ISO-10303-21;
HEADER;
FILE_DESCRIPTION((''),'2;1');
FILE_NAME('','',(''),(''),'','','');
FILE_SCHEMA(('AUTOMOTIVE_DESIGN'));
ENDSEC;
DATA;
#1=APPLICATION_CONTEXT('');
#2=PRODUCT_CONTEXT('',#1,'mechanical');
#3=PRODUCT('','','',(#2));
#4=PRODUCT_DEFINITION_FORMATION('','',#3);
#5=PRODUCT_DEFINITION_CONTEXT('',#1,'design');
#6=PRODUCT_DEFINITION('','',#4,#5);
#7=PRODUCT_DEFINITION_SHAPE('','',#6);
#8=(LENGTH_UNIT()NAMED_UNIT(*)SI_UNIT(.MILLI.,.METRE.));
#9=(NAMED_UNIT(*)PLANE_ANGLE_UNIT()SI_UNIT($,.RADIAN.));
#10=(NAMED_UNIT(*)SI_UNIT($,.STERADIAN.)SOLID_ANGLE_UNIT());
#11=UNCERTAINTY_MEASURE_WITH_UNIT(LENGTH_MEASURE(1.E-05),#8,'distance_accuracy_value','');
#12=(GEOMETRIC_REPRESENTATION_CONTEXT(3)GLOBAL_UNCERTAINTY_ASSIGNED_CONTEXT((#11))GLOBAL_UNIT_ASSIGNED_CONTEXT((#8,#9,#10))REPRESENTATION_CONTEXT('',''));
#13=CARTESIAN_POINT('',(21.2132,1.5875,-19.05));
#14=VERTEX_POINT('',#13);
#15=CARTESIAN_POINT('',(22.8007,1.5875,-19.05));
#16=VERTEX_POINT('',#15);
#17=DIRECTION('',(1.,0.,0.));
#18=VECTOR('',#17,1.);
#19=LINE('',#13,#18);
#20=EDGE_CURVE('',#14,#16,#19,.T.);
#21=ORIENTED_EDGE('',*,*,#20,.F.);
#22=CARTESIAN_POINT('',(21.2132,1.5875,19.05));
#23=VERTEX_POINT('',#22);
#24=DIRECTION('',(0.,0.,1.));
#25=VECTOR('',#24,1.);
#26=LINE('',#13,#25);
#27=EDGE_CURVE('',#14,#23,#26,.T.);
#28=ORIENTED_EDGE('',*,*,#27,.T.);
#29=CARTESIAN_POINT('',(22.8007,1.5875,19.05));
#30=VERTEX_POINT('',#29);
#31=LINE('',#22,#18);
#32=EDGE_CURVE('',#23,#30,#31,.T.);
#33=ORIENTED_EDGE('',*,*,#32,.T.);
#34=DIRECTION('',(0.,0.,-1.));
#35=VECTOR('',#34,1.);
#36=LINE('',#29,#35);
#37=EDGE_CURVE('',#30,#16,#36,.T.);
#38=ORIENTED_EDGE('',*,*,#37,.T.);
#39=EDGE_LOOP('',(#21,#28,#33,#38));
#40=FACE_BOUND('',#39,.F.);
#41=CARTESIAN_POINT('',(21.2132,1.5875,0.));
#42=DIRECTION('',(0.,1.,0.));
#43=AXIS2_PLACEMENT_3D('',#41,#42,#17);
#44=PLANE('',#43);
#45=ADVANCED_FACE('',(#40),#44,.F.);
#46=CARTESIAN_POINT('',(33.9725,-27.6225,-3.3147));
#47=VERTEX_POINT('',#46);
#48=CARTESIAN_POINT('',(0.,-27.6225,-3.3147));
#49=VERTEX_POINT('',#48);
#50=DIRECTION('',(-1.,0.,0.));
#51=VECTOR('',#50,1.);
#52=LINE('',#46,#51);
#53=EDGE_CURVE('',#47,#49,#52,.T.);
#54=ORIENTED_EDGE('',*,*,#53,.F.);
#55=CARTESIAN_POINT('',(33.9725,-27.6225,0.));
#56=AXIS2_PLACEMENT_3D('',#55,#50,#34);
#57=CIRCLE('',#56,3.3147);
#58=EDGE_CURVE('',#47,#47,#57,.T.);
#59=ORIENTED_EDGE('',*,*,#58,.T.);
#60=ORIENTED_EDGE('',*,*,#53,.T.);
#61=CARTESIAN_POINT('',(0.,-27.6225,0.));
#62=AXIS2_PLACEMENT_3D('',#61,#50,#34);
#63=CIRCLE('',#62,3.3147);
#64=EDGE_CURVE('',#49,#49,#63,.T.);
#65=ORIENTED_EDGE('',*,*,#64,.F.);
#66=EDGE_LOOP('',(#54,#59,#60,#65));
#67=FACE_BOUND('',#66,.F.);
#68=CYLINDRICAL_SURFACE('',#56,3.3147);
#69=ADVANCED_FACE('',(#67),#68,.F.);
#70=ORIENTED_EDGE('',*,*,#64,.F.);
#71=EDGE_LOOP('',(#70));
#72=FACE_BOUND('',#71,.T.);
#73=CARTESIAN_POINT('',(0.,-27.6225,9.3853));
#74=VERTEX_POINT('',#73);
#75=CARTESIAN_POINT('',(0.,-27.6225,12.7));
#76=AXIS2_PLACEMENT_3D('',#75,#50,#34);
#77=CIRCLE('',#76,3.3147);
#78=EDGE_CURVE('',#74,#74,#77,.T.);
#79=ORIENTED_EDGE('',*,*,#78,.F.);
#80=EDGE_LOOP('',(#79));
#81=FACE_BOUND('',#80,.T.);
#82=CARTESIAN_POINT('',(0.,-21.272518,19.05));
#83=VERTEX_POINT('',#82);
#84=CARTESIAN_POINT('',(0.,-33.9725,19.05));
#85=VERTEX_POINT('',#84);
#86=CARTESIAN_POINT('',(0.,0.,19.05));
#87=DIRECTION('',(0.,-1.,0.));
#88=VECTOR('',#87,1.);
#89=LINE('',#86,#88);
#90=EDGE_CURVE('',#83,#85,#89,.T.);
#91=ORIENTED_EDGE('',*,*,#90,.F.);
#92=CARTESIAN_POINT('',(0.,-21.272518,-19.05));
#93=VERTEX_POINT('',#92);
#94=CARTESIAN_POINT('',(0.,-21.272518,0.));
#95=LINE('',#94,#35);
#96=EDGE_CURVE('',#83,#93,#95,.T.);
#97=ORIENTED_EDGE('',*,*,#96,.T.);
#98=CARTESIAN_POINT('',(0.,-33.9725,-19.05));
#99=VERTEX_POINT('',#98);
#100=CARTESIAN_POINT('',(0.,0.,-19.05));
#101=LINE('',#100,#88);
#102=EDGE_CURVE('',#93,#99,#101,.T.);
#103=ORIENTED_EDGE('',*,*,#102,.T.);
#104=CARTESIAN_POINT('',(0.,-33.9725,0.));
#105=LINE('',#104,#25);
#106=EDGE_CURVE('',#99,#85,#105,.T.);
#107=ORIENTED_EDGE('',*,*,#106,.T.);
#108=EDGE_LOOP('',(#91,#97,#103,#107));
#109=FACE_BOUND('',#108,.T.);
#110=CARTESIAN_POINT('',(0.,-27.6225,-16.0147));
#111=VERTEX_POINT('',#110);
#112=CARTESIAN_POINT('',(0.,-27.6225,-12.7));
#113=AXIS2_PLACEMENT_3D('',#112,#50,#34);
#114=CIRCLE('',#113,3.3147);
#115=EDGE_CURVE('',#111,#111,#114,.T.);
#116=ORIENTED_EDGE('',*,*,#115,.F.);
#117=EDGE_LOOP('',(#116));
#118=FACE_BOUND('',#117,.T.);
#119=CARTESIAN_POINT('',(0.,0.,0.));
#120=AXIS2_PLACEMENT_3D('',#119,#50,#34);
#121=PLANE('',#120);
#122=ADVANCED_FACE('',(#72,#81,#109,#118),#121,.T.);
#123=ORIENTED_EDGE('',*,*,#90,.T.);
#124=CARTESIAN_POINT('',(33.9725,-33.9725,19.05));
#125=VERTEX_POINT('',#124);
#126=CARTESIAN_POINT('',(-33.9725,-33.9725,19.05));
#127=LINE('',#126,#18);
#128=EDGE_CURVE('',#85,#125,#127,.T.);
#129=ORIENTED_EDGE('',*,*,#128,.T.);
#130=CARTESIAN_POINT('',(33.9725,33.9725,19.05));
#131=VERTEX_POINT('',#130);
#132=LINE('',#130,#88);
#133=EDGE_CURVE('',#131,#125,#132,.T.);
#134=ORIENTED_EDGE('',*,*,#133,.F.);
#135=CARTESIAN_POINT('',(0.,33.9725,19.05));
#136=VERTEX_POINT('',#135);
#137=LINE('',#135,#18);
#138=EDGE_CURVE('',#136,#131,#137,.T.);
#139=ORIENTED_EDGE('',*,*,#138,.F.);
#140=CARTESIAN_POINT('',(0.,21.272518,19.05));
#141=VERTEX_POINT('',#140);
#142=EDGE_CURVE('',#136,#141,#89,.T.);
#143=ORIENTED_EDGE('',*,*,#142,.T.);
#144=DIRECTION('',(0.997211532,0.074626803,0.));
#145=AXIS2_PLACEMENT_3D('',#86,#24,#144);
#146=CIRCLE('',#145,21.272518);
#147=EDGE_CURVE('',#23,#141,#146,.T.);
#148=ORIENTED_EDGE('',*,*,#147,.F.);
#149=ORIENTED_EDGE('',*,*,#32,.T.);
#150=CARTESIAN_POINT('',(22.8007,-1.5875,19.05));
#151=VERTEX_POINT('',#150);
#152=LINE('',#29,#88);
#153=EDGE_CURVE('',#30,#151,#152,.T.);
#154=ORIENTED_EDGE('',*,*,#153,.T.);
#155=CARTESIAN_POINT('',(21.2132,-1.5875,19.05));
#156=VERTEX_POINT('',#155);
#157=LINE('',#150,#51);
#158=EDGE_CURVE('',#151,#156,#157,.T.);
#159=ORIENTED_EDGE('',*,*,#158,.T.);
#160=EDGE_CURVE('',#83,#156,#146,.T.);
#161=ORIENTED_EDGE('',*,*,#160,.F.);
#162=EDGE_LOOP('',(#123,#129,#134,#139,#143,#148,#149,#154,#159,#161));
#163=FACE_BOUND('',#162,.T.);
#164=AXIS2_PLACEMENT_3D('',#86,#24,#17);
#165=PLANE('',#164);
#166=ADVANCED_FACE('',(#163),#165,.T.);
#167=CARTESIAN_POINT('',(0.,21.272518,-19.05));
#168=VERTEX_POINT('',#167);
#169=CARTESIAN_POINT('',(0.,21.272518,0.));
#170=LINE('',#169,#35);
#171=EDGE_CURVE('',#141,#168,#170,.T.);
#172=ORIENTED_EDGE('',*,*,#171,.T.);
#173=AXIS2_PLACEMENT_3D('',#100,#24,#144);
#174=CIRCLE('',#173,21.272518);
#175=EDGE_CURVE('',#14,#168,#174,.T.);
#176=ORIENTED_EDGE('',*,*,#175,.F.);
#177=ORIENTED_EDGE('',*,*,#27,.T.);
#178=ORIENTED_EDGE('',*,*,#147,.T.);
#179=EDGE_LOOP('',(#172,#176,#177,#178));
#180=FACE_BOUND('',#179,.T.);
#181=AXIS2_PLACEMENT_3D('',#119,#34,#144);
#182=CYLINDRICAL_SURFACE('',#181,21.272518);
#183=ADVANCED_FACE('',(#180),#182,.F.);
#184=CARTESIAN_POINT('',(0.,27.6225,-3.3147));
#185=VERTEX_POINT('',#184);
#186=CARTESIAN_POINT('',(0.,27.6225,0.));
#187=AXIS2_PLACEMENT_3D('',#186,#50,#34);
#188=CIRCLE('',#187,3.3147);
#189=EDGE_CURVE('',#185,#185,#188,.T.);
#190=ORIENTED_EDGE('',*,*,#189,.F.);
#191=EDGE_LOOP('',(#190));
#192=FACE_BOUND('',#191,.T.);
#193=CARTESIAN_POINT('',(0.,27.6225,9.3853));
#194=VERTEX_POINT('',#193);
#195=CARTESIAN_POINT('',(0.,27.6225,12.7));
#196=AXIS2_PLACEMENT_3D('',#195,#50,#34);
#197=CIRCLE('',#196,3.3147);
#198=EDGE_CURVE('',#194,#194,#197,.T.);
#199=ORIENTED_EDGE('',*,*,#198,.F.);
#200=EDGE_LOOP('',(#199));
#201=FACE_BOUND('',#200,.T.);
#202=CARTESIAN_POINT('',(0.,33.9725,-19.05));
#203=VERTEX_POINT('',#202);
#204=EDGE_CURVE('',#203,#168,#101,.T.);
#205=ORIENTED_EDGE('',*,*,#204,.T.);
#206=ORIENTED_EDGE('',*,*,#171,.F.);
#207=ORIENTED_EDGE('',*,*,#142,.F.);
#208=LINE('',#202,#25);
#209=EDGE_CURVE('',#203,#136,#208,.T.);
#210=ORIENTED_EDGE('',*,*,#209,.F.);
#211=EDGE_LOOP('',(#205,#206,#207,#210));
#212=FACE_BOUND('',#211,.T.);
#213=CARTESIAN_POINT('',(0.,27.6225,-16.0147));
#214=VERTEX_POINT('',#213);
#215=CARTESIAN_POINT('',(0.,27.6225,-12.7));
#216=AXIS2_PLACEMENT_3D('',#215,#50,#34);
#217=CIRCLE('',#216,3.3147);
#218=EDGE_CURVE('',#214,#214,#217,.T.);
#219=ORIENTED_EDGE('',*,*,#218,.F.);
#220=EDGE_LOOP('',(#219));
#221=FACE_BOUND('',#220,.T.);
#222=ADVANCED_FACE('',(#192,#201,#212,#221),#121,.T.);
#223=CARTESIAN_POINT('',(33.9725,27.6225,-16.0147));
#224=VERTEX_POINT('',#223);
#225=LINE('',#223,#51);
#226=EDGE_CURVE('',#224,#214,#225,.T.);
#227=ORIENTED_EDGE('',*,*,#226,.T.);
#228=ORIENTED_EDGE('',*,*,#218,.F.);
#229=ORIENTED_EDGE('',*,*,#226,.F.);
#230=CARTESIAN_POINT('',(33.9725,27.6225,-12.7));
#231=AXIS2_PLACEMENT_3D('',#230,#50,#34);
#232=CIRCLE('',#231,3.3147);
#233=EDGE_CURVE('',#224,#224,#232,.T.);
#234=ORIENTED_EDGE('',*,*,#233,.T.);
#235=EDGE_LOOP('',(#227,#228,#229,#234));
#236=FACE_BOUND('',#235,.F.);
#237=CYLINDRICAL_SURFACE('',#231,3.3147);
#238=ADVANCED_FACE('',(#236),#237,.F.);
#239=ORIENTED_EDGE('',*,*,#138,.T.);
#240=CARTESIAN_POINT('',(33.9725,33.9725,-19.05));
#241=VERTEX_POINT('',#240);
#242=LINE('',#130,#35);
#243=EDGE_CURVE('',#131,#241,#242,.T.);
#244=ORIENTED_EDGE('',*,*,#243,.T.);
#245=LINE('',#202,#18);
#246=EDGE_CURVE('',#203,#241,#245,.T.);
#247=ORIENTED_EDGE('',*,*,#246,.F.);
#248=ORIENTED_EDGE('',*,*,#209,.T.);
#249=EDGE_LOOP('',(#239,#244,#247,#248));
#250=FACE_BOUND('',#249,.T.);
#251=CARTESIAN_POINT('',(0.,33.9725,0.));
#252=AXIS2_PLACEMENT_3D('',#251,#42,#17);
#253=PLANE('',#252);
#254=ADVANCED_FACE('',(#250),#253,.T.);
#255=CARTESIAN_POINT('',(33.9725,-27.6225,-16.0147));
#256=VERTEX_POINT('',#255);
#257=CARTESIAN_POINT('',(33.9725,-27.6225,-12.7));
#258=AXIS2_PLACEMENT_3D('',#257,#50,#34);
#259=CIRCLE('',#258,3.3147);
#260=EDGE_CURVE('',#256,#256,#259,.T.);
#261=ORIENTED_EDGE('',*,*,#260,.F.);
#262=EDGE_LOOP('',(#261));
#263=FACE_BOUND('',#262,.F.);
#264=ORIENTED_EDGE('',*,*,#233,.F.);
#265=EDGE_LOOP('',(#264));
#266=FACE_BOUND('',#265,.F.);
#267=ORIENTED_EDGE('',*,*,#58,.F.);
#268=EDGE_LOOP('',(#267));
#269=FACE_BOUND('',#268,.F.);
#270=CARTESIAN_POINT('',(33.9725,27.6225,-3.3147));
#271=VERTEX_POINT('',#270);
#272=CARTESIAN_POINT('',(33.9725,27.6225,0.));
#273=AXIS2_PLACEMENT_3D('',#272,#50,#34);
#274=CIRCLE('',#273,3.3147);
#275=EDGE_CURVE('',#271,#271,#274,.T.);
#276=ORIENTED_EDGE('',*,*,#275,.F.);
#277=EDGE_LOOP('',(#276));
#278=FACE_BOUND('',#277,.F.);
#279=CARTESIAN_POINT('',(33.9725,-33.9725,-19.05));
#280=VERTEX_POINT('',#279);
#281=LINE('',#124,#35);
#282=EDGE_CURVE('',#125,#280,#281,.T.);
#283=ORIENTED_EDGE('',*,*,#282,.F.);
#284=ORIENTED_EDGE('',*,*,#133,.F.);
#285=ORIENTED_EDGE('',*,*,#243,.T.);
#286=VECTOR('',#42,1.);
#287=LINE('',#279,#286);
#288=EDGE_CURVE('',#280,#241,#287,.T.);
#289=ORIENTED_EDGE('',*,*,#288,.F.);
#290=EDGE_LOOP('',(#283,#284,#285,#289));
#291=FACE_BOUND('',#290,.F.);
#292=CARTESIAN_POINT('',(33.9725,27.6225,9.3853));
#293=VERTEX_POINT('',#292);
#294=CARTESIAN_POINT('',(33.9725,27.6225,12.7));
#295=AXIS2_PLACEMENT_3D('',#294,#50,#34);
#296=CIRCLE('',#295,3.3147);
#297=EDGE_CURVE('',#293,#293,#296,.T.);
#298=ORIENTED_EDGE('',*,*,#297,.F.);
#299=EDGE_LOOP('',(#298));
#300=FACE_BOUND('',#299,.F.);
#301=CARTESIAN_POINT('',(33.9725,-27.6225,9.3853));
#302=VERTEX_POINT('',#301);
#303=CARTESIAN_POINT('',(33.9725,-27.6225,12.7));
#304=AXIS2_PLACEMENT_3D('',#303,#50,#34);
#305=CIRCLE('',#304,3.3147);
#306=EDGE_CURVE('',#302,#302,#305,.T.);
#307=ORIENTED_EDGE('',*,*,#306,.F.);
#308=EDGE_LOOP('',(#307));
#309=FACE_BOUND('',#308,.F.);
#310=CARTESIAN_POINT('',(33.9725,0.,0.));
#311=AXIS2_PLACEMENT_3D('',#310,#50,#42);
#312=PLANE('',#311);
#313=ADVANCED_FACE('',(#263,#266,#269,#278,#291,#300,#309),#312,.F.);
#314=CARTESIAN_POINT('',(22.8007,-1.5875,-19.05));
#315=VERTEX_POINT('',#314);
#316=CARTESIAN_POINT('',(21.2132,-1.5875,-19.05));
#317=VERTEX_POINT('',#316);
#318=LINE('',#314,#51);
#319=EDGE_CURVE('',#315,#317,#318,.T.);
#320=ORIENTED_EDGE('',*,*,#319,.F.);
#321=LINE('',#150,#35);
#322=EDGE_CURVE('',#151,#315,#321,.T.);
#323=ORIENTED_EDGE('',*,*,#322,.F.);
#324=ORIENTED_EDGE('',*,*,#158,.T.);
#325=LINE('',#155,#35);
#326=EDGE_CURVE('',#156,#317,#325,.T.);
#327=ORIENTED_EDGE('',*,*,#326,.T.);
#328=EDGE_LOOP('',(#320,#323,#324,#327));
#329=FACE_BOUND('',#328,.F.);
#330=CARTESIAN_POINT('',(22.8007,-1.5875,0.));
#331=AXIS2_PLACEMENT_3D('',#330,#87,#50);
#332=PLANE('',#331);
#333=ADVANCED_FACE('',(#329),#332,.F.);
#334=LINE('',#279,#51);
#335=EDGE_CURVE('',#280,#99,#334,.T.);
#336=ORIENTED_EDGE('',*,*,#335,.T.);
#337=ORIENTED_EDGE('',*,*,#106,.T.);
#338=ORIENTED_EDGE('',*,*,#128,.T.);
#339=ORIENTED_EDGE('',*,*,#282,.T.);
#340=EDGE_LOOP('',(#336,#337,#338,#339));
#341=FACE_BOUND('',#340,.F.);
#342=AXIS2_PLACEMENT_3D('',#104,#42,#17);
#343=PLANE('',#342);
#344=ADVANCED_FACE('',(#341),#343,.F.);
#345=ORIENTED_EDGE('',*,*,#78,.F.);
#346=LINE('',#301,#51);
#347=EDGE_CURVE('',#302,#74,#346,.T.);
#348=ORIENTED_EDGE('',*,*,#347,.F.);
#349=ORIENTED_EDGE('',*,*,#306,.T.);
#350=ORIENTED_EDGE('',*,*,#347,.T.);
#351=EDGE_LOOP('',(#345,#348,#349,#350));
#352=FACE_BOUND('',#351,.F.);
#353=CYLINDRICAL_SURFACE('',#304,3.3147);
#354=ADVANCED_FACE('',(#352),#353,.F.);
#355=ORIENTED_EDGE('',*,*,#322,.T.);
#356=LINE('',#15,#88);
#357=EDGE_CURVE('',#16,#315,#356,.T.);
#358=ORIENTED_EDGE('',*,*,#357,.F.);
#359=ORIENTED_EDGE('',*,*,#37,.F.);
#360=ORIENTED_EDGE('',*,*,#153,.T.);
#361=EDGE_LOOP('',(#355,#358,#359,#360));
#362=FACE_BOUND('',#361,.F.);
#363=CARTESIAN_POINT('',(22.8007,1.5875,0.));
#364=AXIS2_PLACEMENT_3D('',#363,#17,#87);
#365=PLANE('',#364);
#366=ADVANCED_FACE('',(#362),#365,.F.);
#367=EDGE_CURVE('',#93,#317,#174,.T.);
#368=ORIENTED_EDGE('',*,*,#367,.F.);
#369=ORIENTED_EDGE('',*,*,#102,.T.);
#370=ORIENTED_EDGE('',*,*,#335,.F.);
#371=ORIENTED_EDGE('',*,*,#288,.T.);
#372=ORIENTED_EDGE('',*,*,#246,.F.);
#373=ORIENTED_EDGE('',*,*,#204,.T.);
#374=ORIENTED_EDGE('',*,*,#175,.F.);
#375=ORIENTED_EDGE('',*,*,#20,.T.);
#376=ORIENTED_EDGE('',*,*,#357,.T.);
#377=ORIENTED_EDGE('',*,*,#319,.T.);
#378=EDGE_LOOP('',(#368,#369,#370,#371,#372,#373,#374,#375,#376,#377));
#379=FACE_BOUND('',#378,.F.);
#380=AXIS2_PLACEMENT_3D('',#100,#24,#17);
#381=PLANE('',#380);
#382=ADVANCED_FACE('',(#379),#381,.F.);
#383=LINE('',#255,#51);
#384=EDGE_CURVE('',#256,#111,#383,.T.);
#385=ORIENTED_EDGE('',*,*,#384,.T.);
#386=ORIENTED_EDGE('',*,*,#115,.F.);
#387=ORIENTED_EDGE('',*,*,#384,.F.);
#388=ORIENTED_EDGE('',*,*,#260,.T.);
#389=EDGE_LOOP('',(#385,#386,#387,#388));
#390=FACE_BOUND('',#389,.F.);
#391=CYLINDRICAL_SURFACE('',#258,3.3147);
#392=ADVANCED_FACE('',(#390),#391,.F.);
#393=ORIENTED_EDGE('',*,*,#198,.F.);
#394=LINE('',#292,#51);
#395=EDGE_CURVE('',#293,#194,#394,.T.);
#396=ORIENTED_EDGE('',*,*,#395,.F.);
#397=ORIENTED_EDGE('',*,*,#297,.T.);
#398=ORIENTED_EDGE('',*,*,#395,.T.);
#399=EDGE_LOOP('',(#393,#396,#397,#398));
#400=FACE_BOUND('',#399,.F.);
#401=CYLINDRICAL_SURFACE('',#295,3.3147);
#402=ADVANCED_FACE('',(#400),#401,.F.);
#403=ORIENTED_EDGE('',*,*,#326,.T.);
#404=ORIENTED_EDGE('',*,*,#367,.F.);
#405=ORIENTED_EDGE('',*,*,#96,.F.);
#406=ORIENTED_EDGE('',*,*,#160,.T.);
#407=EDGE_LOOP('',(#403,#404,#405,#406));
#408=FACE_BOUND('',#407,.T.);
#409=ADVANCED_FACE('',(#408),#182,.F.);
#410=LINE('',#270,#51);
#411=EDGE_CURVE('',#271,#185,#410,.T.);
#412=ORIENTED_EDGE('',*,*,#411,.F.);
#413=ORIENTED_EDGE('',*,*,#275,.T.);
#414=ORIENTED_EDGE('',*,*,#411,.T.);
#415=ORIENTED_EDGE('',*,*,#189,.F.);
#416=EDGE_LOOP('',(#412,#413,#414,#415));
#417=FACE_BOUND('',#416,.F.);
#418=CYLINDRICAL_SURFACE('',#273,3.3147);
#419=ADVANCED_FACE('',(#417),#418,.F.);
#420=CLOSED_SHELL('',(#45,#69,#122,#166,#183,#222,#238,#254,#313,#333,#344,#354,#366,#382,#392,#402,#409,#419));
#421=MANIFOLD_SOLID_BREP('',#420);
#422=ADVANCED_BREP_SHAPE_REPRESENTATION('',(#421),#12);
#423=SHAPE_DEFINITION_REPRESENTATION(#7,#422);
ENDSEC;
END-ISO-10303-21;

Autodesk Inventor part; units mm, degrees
ref_plane "YZ Plane" through (0, 0, 0) normal (1, 0, 0) x (0, 1, 0)
ref_plane "XZ Plane" through (0, 0, 0) normal (0, 1, 0) x (-1, 0, 0)
ref_plane "XY Plane" through (0, 0, 0) normal (0, 0, 1) x (1, 0, 0)
sketch "Sketch1" plane through (0, 0, 0) normal (0, 0, 1) x (1, 0, 0)
  arc A0 (21.2132, 1.5875) -> (21.2132, -1.5875) centre (0, 0) ccw
  arc A1 (0, 33.9725) -> (-33.9725, 0) centre (0, 0) ccw
  line L0 (0, -33.9725) -> (-33.9725, -33.9725)
  line L1 (-33.9725, 0) -> (-33.9725, -33.9725)
  line L2 (0, 33.9725) -> (33.9725, 33.9725)
  line L3 (0, -33.9725) -> (33.9725, -33.9725)
  line L4 (33.9725, 0) -> (33.9725, -33.9725)
  line L5 (33.9725, 0) -> (33.9725, 33.9725)
  line L6 (0, 0) -> (24.13, 0) construction
  line L7 (21.2132, 1.5875) -> (22.8007, 1.5875)
  line L8 (22.8007, 1.5875) -> (22.8007, -1.5875)
  line L9 (22.8007, -1.5875) -> (21.2132, -1.5875)
  dimension "d0" = 42.545
  dimension "d1" = 67.945
  dimension "d22" = 1.5875
  dimension "d23" = 1.5875
  dimension "d24" = 1.5875
extrude "Extrusion1" add sketch "Sketch1" along normal mid plane 38.1
sketch "Sketch2" plane through (-33.9725, -33.9725, 19.05) normal (-1, 0, 0) x (0, 0, 1)
  line L0 (0, 0) -> (-38.1, 0) construction
  line L1 (-19.05, 0) -> (-19.05, 33.9725) construction
  point P0 (-19.05, 10.16)
  dimension "d4" = 10.16
hole "Hole1" at (-33.9725, -23.8125, 0) direction (1, 0, 0) diameter 4.9784 depth 31.75 tip angle 118 thread size "1/4-20 UNC" class "2B" standard "ANSI Unified Screw Threads"
sketch "Sketch3" plane through (33.9725, -33.9725, 19.05) normal (1, 0, 0) x (0, 0, -1)
  line L0 (0, 67.945) -> (38.1, 67.945) construction
  line L1 (19.05, 67.945) -> (19.05, 0) construction
  line L2 (0, 0) -> (38.1, 0) construction
  line L3 (6.35, 67.945) -> (6.35, 0) construction
  line L4 (31.75, 67.945) -> (31.75, 0) construction
  line L5 (0, 0) -> (0, 67.945) construction
  line L6 (38.1, 67.945) -> (38.1, 0) construction
  point P0 (19.05, 33.9725)
  point P1 (19.05, 61.595)
  point P2 (19.05, 6.35)
  point P3 (6.35, 61.595)
  point P4 (31.75, 61.595)
  point P5 (31.75, 6.35)
  point P6 (6.35, 6.35)
  dimension "d13" = 6.35
  dimension "d14" = 6.35
  dimension "d25" = 6.35
  dimension "d26" = 6.35
  dimension "d27" = 6.35
  dimension "d28" = 6.35
  dimension "d29" = 6.35
split "Split1" plane through (0, 0, 0) removes the side toward (-1, 0, 0)
hole "Hole2" at (33.9725, 27.6225, 0) at (33.9725, -27.6225, 0) at (33.9725, 27.6225, 12.7) at (33.9725, 27.6225, -12.7) at (33.9725, -27.6225, -12.7) at (33.9725, -27.6225, 12.7) direction (-1, 0, 0) diameter 6.6294 end through all
equation "\"d0\" = pipeDiameter"
equation "\"d1\" = pipeDiameter + 2 * outerRadius"
equation "\"d2\" = width"
equation "\"pipeDiameter\" = 42.545"
equation "\"outerRadius\" = 12.7"
equation "\"width\" = 38.1"
properties part number "gripperBracketB" material "Aluminum 6061"
